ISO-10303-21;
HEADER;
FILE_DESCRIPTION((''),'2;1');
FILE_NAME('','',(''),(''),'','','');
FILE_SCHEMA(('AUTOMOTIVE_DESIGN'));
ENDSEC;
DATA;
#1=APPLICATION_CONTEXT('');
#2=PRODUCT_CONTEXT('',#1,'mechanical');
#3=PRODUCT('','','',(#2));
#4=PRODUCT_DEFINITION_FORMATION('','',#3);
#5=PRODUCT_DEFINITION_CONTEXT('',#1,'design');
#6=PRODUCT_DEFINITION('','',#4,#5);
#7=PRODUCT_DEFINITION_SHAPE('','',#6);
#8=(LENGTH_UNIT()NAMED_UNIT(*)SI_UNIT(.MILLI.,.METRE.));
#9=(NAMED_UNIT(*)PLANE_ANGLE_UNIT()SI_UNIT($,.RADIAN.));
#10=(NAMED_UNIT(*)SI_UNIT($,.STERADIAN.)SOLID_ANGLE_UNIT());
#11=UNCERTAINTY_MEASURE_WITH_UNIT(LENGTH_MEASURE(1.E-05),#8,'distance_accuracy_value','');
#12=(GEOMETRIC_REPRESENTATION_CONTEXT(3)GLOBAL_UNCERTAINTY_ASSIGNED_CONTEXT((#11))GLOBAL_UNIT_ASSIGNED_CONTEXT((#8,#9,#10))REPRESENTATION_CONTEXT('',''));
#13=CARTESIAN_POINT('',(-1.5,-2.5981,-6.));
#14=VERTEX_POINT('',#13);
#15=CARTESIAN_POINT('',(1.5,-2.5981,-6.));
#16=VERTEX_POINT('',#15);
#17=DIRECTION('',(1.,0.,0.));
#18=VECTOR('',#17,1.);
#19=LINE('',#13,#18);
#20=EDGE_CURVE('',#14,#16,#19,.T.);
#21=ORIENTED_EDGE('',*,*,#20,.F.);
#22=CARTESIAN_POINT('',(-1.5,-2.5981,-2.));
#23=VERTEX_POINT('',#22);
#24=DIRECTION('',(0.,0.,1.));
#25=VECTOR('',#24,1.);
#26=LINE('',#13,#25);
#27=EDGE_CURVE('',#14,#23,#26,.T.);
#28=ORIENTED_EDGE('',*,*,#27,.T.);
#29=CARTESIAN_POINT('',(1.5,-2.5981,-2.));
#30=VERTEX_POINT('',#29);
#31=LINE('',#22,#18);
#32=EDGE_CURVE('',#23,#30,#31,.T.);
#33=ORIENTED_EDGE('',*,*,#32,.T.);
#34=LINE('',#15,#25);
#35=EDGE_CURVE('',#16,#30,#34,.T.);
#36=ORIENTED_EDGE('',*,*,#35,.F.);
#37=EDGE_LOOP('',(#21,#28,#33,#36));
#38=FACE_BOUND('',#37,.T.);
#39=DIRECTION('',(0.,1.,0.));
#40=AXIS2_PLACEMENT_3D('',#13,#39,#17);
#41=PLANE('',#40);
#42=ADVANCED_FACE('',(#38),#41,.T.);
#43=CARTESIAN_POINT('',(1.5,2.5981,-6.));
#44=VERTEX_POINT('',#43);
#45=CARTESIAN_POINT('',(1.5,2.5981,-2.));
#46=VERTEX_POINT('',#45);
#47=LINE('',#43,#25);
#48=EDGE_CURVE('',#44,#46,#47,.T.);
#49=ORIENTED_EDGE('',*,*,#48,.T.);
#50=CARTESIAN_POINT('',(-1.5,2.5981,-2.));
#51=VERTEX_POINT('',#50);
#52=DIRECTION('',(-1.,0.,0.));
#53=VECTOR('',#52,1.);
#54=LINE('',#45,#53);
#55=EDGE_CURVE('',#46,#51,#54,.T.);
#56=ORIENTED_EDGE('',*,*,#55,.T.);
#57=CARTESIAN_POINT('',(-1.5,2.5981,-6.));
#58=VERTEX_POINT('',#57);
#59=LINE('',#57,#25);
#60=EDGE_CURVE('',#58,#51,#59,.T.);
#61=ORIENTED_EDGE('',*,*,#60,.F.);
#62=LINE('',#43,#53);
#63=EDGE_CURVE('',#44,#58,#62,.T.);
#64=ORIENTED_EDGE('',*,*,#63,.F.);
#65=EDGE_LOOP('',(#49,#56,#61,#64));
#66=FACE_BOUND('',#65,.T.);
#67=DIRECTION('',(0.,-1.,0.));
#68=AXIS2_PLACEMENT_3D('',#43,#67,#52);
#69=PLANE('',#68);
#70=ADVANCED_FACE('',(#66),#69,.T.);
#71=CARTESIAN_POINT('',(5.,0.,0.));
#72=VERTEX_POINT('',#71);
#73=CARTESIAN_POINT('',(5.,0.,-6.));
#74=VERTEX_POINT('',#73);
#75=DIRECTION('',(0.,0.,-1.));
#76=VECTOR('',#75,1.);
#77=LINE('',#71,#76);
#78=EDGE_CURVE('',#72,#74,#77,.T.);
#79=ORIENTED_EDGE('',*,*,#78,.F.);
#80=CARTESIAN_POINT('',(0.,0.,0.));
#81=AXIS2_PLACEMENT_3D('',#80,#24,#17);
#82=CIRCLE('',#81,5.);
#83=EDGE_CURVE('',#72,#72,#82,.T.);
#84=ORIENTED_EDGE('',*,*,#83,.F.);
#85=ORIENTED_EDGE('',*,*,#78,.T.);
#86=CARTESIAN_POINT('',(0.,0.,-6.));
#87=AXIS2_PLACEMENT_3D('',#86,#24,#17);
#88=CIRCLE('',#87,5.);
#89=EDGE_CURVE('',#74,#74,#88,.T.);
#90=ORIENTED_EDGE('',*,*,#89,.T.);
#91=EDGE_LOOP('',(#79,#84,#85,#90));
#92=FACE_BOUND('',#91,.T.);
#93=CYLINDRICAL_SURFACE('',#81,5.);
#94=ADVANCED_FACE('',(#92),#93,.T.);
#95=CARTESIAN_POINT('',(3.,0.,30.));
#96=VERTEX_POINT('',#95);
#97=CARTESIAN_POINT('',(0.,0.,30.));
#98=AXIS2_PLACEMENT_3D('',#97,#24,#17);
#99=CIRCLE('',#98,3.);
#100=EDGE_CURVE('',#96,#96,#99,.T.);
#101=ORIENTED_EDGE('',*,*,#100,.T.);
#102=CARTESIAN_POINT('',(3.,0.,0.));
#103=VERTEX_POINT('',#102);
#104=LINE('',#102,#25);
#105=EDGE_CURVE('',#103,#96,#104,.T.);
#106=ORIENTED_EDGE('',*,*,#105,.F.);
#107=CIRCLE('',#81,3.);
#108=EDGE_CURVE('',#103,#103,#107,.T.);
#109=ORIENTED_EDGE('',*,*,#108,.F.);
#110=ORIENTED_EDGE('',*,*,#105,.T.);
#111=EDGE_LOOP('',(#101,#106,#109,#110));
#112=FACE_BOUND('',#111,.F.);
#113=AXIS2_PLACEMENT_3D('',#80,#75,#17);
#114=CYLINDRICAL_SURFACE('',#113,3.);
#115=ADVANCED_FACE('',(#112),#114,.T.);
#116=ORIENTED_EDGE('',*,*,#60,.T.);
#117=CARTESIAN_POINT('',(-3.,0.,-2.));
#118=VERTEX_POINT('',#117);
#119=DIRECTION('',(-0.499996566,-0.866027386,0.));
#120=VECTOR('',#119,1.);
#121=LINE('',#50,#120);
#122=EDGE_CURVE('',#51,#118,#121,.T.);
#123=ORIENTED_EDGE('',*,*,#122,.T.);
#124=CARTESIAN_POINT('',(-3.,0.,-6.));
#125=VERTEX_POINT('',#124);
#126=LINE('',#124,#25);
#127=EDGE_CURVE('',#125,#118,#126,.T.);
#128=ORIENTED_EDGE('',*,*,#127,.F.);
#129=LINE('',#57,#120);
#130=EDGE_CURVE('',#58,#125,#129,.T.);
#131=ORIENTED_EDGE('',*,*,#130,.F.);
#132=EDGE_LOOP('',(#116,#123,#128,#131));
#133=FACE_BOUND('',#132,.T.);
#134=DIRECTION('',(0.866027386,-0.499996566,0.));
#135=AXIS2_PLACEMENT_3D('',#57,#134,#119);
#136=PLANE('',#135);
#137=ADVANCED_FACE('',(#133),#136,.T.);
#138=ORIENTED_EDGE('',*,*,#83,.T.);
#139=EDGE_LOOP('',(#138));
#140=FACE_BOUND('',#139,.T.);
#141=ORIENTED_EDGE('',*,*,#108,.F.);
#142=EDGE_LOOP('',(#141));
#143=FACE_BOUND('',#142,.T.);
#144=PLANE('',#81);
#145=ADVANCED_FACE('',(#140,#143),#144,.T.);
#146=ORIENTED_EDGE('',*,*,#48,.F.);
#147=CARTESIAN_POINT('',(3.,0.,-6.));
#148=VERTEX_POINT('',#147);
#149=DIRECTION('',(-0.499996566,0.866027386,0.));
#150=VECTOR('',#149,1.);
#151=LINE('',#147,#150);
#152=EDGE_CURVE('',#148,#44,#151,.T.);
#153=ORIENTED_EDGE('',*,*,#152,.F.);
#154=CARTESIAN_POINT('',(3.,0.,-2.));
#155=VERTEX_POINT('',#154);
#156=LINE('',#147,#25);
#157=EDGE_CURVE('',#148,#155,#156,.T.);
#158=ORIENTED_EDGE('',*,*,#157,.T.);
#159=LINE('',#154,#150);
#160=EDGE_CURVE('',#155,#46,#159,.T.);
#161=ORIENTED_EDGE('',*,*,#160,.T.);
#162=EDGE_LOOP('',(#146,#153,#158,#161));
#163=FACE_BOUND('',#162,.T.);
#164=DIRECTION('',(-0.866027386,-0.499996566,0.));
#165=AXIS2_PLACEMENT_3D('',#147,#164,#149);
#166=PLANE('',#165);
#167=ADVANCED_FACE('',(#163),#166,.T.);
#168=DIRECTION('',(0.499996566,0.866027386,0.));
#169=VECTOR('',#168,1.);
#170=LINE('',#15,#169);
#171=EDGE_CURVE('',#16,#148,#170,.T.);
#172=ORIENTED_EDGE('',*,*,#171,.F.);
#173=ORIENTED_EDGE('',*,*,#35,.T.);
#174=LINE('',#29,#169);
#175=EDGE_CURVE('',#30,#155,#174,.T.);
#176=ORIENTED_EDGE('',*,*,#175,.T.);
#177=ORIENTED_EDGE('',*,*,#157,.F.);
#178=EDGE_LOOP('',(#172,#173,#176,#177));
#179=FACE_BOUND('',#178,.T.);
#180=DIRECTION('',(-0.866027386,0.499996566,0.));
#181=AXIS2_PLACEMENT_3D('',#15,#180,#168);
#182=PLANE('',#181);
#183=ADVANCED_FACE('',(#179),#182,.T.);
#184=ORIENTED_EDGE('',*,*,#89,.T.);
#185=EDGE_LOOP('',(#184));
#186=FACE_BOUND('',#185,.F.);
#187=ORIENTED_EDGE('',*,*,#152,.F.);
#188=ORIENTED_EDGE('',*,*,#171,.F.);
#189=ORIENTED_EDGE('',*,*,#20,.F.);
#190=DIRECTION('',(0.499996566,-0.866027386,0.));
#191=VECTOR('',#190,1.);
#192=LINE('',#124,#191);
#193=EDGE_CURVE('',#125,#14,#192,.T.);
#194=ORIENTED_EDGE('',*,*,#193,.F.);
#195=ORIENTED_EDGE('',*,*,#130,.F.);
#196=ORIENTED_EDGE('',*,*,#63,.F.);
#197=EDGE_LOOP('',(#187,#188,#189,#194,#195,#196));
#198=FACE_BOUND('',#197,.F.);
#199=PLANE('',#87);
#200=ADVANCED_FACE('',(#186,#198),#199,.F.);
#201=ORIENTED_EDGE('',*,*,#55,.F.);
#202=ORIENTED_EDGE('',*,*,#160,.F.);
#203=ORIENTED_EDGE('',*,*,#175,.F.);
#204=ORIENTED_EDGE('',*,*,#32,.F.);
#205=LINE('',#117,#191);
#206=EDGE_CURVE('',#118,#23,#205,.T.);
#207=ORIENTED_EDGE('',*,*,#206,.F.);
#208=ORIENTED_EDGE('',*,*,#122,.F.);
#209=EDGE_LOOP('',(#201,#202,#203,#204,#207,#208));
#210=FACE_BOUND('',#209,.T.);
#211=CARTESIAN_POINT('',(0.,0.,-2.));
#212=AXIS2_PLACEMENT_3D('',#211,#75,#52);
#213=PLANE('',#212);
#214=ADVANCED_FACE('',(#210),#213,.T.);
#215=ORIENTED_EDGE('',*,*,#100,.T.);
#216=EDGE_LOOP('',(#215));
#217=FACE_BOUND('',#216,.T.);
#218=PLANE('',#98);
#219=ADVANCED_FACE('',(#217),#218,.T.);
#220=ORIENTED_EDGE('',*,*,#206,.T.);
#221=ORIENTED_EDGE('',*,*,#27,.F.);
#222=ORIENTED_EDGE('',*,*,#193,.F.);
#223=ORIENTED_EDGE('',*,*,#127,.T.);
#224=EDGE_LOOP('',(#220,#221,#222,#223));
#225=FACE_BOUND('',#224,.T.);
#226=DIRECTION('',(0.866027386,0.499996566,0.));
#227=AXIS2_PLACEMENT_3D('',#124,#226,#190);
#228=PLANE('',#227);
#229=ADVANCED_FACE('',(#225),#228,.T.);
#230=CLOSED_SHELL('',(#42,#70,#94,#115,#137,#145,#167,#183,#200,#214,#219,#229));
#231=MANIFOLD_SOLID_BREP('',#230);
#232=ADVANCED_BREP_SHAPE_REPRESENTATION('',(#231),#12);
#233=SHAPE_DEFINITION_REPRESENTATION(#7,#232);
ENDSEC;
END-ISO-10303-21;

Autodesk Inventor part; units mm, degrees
ref_plane "YZ Plane" through (0, 0, 0) normal (1, 0, 0) x (0, 1, 0)
ref_plane "XZ Plane" through (0, 0, 0) normal (0, 1, 0) x (-1, 0, 0)
ref_plane "XY Plane" through (0, 0, 0) normal (0, 0, 1) x (1, 0, 0)
sketch "Boceto1" plane through (0, 0, 0) normal (0, 0, 1) x (1, 0, 0)
  circle A0 centre (0, 0) radius 3
  circle A1 centre (0, 0) radius 5
  dimension "d0" = 6
  dimension "d1" = 10
extrude "Extrusión1" add sketch "Boceto1" along normal blind 30 contours A0
extrude "Extrusión2" add sketch "Boceto1" against normal blind 6 contours A0 | A1
thread "Rosca1" size "M6x1" class "6g" standard "ANSI Metric M Profile" full length
sketch "Boceto2" plane through (0, 0, -6) normal (0, 0, -1) x (-1, 0, 0)
  line L0 (3, 0) -> (1.5, -2.5981)
  line L1 (1.5, -2.5981) -> (-1.5, -2.5981)
  line L2 (-1.5, -2.5981) -> (-3, 0)
  line L3 (-3, 0) -> (-1.5, 2.5981)
  line L4 (-1.5, 2.5981) -> (1.5, 2.5981)
  line L5 (1.5, 2.5981) -> (3, 0)
  point P0 (0, 0)
  point P1 (0, 0)
  dimension "d8" = 6
extrude "Extrusión3" cut sketch "Boceto2" against normal blind 4
properties part number "tornilloM6x30mm" material "Hierro, dúctil"
